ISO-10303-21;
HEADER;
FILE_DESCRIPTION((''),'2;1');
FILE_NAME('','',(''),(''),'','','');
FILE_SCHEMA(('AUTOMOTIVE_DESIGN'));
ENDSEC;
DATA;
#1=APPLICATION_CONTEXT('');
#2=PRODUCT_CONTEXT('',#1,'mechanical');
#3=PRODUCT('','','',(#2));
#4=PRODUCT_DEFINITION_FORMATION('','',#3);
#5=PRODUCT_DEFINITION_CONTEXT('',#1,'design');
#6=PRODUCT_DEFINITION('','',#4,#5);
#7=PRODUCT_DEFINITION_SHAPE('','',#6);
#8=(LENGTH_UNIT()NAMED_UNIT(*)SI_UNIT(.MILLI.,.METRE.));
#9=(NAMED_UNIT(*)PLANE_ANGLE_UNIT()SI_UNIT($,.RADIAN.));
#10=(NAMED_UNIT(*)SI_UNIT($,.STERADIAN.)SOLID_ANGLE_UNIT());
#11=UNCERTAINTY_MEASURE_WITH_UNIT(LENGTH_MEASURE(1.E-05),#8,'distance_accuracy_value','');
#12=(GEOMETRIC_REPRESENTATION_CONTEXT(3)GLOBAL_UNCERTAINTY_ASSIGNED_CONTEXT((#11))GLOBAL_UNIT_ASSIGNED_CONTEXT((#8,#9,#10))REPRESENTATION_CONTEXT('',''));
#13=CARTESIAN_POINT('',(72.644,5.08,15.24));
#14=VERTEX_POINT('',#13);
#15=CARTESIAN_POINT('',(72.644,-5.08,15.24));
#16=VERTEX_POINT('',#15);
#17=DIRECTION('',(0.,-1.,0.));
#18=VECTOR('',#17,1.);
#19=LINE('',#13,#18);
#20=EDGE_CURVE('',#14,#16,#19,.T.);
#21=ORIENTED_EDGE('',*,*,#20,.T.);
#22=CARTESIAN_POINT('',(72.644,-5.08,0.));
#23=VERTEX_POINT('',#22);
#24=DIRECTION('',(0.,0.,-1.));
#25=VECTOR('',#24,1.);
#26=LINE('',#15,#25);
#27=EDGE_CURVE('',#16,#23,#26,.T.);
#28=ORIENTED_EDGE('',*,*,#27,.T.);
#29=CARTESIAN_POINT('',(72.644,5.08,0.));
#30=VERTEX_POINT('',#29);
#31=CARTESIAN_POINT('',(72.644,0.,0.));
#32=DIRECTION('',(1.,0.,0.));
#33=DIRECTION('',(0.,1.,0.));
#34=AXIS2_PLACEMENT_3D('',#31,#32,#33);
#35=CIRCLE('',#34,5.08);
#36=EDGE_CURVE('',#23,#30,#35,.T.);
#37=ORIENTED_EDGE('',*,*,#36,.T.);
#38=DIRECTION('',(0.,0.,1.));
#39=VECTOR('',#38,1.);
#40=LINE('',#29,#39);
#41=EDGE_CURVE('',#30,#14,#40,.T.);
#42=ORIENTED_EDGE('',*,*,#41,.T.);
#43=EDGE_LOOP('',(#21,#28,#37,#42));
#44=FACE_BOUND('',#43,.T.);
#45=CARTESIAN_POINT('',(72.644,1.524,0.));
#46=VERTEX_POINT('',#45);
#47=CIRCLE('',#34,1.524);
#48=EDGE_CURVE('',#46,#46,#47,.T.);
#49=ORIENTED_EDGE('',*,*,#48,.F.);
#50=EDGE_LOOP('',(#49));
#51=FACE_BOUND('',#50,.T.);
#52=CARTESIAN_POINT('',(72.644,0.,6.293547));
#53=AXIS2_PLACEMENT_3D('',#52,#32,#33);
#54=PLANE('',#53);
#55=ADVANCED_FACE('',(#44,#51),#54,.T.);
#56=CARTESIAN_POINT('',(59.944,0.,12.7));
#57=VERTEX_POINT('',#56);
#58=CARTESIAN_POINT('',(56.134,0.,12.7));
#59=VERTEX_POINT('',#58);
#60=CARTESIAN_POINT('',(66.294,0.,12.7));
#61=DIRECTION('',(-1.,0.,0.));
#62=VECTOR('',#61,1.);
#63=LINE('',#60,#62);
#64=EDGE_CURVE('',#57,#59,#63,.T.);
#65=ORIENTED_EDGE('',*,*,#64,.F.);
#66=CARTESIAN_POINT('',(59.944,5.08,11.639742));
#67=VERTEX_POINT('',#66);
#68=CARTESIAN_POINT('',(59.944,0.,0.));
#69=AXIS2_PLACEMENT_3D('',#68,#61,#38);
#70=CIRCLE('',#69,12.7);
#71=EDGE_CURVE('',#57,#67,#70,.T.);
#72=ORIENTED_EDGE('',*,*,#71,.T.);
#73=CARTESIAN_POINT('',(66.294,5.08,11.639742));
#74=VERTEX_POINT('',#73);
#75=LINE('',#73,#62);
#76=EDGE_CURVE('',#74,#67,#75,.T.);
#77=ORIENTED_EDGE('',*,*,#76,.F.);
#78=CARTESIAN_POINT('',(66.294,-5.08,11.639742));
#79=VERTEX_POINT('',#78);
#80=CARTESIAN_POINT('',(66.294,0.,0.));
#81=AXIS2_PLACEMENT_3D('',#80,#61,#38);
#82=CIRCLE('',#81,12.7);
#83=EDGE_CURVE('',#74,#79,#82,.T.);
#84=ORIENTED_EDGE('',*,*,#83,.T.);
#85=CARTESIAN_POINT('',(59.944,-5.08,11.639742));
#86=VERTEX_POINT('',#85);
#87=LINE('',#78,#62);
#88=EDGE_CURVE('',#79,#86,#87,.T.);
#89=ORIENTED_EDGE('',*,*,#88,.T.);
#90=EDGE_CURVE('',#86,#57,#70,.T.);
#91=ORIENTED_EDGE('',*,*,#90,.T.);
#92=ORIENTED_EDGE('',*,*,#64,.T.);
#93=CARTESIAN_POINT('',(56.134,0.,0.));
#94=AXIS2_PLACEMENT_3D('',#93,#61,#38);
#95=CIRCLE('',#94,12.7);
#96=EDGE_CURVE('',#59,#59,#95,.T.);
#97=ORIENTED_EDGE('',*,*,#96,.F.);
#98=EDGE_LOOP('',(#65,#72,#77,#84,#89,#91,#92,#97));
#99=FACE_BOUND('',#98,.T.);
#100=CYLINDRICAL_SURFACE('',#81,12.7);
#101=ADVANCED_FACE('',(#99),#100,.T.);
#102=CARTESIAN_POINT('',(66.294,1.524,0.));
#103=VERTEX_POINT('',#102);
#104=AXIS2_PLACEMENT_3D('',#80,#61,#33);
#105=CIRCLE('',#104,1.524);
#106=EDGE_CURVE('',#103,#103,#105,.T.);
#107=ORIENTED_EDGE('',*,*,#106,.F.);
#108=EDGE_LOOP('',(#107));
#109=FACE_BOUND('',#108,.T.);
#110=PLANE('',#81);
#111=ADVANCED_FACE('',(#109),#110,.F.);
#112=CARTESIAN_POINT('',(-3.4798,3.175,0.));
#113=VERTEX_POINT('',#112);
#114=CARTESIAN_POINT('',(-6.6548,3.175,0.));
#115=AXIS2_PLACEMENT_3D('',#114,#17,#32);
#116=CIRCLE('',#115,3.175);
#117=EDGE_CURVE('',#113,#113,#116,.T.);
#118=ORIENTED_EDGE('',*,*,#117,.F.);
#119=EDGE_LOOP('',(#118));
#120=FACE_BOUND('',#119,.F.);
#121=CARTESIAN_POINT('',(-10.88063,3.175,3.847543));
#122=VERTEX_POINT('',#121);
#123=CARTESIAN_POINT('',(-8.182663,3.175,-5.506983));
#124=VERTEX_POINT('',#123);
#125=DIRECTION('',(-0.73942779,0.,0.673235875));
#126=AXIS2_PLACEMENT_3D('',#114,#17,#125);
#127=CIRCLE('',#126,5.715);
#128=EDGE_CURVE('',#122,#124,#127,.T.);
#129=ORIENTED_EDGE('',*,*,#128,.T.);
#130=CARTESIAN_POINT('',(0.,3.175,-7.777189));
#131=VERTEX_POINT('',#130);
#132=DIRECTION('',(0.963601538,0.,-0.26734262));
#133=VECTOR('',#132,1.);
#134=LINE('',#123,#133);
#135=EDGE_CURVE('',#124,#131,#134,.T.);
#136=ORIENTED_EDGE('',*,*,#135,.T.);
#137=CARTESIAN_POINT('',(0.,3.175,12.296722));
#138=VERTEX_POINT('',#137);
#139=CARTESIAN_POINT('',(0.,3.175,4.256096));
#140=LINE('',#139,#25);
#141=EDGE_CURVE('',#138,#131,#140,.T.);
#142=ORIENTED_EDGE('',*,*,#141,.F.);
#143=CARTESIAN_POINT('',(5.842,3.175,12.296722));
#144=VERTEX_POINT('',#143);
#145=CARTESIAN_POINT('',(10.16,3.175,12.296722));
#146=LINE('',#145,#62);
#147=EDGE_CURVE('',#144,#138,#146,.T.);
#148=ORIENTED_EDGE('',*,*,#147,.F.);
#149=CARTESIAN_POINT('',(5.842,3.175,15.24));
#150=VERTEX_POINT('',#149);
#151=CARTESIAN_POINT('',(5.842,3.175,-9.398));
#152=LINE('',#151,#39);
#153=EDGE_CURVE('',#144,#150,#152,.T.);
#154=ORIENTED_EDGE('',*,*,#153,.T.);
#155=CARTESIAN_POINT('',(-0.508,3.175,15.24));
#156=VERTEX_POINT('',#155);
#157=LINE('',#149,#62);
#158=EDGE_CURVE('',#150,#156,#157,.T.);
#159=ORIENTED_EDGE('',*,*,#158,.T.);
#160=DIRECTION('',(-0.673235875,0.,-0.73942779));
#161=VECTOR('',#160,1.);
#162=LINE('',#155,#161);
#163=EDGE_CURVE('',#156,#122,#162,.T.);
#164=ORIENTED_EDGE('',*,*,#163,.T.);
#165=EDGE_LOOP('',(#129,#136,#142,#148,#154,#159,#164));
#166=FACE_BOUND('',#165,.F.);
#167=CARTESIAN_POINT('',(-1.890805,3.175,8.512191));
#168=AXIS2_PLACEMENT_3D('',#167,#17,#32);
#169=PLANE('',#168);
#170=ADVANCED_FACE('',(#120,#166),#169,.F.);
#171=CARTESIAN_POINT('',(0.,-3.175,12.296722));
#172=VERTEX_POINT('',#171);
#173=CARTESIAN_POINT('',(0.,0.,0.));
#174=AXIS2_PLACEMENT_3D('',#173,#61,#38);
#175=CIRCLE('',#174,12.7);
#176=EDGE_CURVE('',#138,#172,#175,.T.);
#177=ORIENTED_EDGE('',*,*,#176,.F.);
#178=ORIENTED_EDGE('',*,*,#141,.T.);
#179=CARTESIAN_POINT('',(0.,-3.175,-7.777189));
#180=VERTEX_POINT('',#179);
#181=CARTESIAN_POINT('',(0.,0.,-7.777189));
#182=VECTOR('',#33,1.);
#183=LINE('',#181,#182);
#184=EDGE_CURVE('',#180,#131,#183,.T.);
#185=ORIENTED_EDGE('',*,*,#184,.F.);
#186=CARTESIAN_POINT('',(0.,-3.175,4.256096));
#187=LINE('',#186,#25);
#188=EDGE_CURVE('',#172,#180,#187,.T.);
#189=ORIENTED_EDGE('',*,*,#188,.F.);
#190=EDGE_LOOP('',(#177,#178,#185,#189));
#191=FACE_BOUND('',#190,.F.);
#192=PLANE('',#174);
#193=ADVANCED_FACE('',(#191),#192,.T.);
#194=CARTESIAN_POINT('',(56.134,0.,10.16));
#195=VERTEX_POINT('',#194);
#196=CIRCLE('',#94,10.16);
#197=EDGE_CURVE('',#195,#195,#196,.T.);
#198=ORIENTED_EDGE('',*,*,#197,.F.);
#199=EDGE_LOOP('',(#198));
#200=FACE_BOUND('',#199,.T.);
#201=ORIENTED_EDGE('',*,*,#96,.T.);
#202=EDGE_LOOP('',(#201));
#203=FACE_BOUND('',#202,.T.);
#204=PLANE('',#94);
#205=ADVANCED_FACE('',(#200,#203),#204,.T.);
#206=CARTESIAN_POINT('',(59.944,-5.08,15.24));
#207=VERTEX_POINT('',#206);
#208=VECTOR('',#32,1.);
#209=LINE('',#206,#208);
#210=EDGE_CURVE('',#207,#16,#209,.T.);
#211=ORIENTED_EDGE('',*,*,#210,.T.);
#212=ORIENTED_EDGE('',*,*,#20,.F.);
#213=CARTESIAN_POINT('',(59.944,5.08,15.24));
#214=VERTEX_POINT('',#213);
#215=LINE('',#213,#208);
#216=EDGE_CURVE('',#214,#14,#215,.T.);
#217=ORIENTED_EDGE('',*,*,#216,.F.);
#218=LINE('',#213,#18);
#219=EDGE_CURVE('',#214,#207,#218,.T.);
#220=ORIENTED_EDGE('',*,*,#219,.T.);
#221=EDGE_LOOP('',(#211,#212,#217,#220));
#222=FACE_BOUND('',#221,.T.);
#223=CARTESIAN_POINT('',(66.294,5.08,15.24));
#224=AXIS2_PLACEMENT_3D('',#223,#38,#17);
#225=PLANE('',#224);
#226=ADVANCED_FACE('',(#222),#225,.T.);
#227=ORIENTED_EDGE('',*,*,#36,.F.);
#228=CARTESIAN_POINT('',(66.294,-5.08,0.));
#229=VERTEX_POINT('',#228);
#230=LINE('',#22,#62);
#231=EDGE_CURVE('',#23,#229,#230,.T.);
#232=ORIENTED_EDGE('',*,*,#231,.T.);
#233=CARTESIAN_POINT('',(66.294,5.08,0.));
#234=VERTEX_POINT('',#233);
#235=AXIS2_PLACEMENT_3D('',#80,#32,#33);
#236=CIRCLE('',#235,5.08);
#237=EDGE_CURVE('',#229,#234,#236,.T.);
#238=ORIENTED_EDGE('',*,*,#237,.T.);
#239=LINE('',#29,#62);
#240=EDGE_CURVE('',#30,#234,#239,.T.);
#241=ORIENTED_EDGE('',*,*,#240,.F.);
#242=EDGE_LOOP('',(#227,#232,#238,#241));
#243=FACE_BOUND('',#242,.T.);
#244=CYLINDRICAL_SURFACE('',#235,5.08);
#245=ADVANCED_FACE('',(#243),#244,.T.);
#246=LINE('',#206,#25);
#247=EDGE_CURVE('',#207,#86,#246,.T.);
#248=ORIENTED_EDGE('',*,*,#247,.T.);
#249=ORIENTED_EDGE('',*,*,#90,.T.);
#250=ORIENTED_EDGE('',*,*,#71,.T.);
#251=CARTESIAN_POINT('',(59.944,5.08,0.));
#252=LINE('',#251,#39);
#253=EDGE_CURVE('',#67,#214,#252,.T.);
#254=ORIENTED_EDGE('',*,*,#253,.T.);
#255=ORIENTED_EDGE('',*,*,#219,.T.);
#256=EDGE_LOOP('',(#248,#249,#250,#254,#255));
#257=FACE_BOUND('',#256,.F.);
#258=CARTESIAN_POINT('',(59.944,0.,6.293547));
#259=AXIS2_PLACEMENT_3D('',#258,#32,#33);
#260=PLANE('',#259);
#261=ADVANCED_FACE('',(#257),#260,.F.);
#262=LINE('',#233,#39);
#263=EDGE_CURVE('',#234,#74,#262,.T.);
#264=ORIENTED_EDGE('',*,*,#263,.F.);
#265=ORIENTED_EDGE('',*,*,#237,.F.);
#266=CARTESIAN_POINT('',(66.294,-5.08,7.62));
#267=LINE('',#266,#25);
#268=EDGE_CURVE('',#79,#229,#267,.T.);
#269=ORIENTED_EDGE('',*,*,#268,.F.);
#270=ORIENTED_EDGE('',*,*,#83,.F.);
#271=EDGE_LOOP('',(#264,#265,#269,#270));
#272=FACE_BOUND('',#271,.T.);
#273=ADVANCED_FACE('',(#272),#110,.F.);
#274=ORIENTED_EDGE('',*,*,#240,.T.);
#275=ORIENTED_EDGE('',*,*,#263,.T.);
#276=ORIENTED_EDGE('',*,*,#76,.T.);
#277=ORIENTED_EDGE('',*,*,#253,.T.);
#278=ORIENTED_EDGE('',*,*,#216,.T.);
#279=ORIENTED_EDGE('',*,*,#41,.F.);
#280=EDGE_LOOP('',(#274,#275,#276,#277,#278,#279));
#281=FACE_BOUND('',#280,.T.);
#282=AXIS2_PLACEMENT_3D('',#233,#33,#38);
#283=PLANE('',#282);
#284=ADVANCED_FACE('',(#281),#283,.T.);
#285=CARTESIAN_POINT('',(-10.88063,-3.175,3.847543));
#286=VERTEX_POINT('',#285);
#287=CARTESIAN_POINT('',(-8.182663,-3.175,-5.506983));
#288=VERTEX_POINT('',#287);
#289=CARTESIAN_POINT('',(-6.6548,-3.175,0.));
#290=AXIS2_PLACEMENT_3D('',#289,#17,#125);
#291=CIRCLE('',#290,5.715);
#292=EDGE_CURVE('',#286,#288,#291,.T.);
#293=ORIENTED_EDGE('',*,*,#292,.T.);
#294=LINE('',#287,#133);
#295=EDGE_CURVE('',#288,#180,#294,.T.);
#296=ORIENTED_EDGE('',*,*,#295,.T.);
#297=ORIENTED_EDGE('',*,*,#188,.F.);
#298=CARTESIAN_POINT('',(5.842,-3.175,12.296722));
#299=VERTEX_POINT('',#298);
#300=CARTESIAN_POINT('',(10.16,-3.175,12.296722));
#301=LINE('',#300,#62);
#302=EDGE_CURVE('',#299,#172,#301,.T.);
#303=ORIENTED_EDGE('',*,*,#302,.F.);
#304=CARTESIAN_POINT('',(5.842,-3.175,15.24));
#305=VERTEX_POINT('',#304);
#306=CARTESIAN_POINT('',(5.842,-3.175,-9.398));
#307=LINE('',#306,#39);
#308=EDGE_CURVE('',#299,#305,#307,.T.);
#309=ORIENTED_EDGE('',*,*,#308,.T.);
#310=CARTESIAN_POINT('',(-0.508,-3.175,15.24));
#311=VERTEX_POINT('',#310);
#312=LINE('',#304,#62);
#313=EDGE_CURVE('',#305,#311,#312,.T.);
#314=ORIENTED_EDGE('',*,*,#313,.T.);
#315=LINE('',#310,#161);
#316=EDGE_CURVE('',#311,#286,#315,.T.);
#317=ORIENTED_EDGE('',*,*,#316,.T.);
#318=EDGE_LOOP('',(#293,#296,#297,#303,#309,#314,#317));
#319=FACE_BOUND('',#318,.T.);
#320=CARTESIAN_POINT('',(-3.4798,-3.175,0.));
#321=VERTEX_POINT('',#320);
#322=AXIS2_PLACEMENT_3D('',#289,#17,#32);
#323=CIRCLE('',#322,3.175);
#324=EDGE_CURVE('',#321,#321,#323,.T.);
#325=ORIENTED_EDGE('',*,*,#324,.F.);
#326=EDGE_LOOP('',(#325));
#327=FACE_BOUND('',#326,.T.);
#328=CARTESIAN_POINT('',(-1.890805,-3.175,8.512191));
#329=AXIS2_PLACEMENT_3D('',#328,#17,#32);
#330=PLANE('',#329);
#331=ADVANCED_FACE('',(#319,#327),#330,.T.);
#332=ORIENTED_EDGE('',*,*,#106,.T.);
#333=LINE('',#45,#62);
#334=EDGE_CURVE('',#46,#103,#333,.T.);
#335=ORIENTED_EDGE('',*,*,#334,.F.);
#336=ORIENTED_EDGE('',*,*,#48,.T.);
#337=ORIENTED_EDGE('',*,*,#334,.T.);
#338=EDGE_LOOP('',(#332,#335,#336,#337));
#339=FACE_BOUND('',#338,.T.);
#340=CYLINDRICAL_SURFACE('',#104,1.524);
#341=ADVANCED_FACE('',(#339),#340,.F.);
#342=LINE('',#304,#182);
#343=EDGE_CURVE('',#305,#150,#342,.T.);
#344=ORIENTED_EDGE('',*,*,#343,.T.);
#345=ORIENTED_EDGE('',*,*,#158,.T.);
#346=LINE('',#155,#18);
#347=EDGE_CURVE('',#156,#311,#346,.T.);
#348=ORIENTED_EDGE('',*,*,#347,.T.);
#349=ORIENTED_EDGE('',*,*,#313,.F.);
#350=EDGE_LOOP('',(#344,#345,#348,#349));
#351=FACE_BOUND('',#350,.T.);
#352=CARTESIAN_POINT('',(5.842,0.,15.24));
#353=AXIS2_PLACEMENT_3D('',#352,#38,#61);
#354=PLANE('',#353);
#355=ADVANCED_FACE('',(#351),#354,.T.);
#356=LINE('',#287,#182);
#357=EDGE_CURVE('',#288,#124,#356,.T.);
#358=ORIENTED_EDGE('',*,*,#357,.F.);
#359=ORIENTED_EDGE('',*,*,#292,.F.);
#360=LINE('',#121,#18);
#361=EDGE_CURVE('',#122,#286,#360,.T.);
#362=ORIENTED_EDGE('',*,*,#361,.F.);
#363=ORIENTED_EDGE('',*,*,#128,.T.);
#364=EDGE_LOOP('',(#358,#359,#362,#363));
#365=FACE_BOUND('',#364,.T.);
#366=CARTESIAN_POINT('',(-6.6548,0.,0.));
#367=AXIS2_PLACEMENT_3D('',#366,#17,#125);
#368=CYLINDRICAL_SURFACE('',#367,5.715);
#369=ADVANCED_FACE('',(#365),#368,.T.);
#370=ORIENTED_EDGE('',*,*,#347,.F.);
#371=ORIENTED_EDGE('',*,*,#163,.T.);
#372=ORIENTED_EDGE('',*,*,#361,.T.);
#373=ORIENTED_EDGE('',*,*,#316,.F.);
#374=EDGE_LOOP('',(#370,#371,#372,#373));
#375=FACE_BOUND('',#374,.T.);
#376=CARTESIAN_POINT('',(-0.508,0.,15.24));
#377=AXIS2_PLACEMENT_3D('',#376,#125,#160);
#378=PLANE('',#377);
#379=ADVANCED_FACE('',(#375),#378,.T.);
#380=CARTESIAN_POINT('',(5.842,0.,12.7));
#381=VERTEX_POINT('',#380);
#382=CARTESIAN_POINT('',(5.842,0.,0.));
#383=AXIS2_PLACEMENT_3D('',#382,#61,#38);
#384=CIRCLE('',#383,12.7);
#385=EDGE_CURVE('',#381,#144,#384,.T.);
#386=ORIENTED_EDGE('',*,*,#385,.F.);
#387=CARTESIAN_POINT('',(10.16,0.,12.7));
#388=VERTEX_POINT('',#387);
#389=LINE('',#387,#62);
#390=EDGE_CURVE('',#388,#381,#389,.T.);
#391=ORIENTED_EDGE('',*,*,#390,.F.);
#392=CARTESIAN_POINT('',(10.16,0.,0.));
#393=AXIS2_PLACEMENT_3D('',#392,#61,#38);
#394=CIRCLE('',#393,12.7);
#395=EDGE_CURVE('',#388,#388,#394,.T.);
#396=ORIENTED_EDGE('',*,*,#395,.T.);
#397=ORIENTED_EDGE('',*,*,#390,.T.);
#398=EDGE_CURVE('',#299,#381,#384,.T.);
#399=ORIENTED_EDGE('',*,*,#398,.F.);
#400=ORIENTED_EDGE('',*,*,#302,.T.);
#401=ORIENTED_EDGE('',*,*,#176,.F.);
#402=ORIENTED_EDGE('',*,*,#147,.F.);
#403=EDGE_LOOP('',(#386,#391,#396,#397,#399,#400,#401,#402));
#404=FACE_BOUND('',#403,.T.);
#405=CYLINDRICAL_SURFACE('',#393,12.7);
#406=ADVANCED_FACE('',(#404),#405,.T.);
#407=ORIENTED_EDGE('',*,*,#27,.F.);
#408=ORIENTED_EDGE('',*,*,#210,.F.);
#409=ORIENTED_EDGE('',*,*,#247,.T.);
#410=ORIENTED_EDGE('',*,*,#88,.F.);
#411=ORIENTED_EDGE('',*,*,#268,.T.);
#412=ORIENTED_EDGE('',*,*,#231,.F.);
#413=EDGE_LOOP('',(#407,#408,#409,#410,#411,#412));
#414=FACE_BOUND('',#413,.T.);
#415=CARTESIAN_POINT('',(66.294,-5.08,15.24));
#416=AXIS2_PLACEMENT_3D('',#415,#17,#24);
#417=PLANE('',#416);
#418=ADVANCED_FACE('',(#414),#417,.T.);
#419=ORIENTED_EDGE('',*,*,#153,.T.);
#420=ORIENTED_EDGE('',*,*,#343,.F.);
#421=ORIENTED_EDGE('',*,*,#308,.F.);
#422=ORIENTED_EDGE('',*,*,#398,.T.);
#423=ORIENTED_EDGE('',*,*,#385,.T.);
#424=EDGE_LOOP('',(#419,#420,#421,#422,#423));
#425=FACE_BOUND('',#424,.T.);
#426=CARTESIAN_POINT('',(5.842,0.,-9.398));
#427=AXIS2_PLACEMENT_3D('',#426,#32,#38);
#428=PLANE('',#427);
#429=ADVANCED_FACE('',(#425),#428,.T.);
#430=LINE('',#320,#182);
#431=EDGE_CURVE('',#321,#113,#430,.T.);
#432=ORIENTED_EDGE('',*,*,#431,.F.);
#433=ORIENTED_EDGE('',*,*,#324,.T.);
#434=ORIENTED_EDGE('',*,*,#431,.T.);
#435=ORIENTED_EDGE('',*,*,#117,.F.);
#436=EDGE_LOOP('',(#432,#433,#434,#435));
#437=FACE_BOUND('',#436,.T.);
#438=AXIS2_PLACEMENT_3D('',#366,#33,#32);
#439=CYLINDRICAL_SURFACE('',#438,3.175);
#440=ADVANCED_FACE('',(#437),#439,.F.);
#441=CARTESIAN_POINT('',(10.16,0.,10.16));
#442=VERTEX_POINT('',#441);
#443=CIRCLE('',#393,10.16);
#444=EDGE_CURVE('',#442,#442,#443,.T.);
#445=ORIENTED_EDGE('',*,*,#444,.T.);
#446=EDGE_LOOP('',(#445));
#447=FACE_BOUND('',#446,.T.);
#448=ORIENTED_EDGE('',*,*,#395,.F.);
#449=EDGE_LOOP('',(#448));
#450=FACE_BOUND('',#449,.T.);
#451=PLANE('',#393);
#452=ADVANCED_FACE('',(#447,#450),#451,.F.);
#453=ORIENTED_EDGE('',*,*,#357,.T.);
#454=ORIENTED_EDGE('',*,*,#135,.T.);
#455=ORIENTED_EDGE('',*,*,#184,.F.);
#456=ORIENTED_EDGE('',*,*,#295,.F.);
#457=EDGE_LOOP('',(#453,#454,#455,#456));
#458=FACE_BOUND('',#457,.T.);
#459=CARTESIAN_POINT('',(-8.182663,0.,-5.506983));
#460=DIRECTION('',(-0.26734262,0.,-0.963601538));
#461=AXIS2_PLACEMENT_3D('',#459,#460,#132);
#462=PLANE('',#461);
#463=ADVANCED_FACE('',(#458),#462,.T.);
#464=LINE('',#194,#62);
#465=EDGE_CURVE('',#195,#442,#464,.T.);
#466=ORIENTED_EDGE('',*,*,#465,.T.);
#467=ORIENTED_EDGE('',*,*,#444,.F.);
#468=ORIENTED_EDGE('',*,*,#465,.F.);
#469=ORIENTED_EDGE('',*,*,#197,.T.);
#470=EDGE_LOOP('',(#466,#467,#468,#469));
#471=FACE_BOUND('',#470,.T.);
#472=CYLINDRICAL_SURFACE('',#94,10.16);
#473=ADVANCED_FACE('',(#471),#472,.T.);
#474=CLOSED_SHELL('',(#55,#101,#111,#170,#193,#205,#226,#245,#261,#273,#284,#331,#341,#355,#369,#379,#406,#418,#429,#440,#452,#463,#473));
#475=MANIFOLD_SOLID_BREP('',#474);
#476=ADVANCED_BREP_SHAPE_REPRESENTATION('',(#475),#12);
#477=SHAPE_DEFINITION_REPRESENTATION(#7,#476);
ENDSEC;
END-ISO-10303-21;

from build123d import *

# Parameters (mm, degrees)
F0_W     = 5.842
F0_H     = 12.7
F0_R     = 3.175
F2_DEPTH = 3.175
F3_R     = 1.524
F4_DEPTH = 6.35


with BuildPart() as f1:
    # F0 (on Front) → F1 (revolve)
    with BuildSketch(Plane.XZ):
        Polygon((5.842, 12.7), (5.842, 0), (66.294, 0), (66.294, 12.7), (56.134, 12.7), (56.134, 10.16), (10.16, 10.16), (10.16, 12.7), align=None)
        with Locations((2.921, 6.35)):
            Rectangle(F0_W, F0_H)
    revolve(axis=Axis((33.147, 0, 0), (-1, 0, 0)))

    # F0 (on Front) → F2 (join, symmetric)
    with BuildSketch(Plane.XZ):
        with BuildLine():
            Line((-0.9398, 0), (0, 0))
            Line((0, 0), (0, 12.7))
            Line((0, 12.7), (5.842, 12.7))
            Line((5.842, 12.7), (5.842, 15.24))
            Line((5.842, 15.24), (-0.508, 15.24))
            Line((-0.508, 15.24), (-10.8806298187, 3.8475430269))
            ThreePointArc((-10.8806298187, 3.8475430269), (-4.5919612295, 5.3297205562), (-0.9398, 0))
        make_face()
        with Locations((2.921, 6.35)):
            Rectangle(F0_W, F0_H)
        with BuildLine():
            Line((5.842, 0), (0, 0))
            Line((0, 0), (-0.9398, 0))
            ThreePointArc((-0.9398, 0), (-3.1957909266, -4.5493385486), (-8.1826630726, -5.5069827884))
            Line((-8.1826630726, -5.5069827884), (5.842, -9.398))
            Line((5.842, -9.398), (5.842, 0))
        make_face()
        with BuildLine():
            ThreePointArc((-8.1826630726, -5.5069827884), (-3.1957909266, -4.5493385486), (-0.9398, 0))
            ThreePointArc((-0.9398, 0), (-4.5919612295, 5.3297205562), (-10.8806298187, 3.8475430269))
            ThreePointArc((-10.8806298187, 3.8475430269), (-12.1459778134, -1.5837270034), (-8.1826630726, -5.5069827884))
        make_face()
        with Locations((-6.6548, 0)):
            Circle(F0_R, mode=Mode.SUBTRACT)
    extrude(amount=F2_DEPTH, both=True)

    # F3 (on face) → F4 (join, symmetric)
    with BuildSketch(Plane.YZ.offset(66.294)):
        with BuildLine():
            ThreePointArc((-5.08, 0), (0, 5.08), (5.08, 0))
            Line((5.08, 0), (5.08, 11.6397422652))
            ThreePointArc((5.08, 11.6397422652), (0, 12.7), (-5.08, 11.6397422652))
            Line((-5.08, 11.6397422652), (-5.08, 0))
        make_face()
        with BuildLine():
            ThreePointArc((-5.08, 0), (0, -5.08), (5.08, 0))
            ThreePointArc((5.08, 0), (0, 5.08), (-5.08, 0))
        make_face()
        Circle(F3_R, mode=Mode.SUBTRACT)
        with BuildLine():
            ThreePointArc((-5.08, 11.6397422652), (0, 12.7), (5.08, 11.6397422652))
            Line((5.08, 11.6397422652), (5.08, 15.24))
            Line((5.08, 15.24), (-5.08, 15.24))
            Line((-5.08, 15.24), (-5.08, 11.6397422652))
        make_face()
    extrude(amount=F4_DEPTH, both=True)


solid = f1.part
